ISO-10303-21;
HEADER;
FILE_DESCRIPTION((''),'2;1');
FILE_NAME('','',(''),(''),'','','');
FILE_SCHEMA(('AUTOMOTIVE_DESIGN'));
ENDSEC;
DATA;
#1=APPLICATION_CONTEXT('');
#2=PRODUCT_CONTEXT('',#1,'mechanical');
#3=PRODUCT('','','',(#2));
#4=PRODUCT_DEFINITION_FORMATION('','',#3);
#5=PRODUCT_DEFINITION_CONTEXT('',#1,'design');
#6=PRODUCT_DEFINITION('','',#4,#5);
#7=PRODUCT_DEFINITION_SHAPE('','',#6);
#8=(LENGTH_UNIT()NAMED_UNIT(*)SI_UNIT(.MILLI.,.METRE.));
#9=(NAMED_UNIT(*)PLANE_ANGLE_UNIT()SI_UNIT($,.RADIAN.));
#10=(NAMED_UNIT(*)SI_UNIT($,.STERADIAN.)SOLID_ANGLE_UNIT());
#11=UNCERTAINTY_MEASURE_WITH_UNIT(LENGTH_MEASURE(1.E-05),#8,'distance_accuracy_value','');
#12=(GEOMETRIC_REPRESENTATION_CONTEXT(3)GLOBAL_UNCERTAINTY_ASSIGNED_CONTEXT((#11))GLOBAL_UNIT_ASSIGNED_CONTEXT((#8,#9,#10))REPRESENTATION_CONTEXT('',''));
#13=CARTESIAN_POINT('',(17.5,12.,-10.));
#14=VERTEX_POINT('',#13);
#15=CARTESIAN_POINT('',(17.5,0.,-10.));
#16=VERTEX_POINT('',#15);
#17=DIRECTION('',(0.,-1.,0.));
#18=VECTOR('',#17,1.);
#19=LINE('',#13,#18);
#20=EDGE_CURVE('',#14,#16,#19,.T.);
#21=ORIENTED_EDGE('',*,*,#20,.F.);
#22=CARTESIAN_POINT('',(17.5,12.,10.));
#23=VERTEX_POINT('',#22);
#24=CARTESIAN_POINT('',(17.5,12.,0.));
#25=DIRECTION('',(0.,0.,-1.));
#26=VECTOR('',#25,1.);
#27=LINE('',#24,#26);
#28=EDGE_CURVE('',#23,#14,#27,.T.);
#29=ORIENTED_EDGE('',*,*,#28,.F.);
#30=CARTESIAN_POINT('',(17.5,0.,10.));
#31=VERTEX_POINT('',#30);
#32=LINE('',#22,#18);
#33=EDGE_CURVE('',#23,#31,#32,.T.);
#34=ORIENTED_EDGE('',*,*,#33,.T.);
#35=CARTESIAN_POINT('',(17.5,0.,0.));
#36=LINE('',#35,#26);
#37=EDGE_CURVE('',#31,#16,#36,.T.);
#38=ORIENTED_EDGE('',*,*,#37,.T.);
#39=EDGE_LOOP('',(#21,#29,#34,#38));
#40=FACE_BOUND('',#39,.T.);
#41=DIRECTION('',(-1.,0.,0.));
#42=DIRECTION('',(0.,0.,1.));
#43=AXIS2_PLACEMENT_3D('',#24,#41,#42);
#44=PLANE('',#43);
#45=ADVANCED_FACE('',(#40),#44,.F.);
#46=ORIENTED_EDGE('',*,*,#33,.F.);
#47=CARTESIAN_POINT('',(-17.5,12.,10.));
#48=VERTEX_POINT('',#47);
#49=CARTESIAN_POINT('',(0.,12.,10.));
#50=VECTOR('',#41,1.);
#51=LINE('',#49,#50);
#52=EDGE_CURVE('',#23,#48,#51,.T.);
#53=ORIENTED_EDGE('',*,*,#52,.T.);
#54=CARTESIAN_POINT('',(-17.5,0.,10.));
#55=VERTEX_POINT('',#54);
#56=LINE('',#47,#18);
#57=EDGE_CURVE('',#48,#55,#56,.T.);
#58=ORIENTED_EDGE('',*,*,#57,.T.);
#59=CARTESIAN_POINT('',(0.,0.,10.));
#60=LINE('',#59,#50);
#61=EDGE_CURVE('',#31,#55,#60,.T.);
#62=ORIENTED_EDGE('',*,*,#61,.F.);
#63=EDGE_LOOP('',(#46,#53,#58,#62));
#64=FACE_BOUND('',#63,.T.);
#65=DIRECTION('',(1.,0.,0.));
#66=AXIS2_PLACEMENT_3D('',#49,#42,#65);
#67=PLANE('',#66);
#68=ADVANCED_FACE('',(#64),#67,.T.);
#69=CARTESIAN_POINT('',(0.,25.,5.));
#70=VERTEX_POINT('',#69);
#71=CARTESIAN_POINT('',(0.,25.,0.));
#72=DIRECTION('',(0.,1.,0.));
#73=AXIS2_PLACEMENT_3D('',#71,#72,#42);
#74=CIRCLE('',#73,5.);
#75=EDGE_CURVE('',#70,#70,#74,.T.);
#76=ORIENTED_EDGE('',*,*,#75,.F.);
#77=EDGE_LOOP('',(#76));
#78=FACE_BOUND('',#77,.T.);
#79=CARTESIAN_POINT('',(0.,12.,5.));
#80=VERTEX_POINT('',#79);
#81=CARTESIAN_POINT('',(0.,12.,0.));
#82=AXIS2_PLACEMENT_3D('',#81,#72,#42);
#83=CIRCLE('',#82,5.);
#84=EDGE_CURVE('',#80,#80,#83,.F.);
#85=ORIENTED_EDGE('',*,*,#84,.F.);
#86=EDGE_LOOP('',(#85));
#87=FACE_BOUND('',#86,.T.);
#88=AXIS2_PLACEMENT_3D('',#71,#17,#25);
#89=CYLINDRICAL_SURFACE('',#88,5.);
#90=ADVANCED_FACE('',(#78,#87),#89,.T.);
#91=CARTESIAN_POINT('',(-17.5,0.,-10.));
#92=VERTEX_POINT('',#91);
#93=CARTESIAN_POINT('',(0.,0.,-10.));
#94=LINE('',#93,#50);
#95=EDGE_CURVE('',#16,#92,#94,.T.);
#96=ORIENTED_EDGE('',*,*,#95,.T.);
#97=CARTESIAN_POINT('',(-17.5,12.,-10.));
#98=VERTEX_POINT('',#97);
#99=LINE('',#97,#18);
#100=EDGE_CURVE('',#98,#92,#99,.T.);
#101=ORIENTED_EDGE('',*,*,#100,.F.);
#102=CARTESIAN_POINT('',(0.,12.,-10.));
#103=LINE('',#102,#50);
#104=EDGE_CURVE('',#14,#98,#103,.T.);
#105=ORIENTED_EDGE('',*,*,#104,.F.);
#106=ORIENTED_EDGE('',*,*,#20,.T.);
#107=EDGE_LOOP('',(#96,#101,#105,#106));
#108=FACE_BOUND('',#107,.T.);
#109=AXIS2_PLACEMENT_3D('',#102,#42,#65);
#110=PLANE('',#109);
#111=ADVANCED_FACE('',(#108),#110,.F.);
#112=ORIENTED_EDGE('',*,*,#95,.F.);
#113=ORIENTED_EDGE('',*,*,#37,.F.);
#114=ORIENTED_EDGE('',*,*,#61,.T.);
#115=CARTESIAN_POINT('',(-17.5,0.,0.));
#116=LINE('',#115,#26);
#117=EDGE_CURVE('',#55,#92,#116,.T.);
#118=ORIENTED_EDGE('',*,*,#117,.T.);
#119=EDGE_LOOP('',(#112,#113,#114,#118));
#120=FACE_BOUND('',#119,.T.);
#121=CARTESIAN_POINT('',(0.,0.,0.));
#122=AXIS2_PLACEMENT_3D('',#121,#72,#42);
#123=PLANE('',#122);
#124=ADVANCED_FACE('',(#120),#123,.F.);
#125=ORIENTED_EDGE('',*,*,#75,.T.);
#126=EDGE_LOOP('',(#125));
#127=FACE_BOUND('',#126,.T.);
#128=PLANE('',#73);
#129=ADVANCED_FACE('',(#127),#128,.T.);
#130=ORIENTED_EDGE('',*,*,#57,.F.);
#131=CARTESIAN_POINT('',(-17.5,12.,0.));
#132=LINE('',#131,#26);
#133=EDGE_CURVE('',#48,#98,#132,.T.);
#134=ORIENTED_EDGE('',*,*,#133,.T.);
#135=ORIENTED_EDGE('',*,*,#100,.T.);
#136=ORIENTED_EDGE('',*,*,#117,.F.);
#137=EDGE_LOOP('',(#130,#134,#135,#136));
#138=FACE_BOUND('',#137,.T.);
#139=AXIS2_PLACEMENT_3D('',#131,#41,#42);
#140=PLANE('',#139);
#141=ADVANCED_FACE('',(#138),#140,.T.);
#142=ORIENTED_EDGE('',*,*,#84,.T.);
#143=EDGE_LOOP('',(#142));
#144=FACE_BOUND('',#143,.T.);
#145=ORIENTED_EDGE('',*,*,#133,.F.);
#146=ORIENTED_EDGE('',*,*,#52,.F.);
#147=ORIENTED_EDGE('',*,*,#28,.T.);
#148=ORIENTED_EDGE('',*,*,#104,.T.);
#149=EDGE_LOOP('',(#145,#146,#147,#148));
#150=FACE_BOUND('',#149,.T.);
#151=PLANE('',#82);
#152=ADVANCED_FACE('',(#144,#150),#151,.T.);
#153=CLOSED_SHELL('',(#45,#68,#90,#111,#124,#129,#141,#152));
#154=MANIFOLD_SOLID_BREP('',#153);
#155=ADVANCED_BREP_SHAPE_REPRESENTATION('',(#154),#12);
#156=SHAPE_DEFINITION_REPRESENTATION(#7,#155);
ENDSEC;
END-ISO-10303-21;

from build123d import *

# Parameters (mm, degrees)
SKETCH1_W           = 35
SKETCH1_H           = 20
BOSS_EXTRUDE1_DEPTH = 12
SKETCH1_3_R         = 5
BOSS_EXTRUDE2_DEPTH = 25


with BuildPart() as part:
    # Sketch1 → Boss-Extrude1 (new body)
    with BuildSketch(Plane(origin=(0, 0, 0), x_dir=(1, 0, 0), z_dir=(0, 1, 0))):
        Rectangle(SKETCH1_W, SKETCH1_H)
    extrude(amount=BOSS_EXTRUDE1_DEPTH)

    # Sketch1_3 → Boss-Extrude2 (add)
    with BuildSketch(Plane(origin=(0, 0, 0), x_dir=(1, 0, 0), z_dir=(0, 1, 0))):
        Circle(SKETCH1_3_R)
    extrude(amount=BOSS_EXTRUDE2_DEPTH)


solid = part.part
